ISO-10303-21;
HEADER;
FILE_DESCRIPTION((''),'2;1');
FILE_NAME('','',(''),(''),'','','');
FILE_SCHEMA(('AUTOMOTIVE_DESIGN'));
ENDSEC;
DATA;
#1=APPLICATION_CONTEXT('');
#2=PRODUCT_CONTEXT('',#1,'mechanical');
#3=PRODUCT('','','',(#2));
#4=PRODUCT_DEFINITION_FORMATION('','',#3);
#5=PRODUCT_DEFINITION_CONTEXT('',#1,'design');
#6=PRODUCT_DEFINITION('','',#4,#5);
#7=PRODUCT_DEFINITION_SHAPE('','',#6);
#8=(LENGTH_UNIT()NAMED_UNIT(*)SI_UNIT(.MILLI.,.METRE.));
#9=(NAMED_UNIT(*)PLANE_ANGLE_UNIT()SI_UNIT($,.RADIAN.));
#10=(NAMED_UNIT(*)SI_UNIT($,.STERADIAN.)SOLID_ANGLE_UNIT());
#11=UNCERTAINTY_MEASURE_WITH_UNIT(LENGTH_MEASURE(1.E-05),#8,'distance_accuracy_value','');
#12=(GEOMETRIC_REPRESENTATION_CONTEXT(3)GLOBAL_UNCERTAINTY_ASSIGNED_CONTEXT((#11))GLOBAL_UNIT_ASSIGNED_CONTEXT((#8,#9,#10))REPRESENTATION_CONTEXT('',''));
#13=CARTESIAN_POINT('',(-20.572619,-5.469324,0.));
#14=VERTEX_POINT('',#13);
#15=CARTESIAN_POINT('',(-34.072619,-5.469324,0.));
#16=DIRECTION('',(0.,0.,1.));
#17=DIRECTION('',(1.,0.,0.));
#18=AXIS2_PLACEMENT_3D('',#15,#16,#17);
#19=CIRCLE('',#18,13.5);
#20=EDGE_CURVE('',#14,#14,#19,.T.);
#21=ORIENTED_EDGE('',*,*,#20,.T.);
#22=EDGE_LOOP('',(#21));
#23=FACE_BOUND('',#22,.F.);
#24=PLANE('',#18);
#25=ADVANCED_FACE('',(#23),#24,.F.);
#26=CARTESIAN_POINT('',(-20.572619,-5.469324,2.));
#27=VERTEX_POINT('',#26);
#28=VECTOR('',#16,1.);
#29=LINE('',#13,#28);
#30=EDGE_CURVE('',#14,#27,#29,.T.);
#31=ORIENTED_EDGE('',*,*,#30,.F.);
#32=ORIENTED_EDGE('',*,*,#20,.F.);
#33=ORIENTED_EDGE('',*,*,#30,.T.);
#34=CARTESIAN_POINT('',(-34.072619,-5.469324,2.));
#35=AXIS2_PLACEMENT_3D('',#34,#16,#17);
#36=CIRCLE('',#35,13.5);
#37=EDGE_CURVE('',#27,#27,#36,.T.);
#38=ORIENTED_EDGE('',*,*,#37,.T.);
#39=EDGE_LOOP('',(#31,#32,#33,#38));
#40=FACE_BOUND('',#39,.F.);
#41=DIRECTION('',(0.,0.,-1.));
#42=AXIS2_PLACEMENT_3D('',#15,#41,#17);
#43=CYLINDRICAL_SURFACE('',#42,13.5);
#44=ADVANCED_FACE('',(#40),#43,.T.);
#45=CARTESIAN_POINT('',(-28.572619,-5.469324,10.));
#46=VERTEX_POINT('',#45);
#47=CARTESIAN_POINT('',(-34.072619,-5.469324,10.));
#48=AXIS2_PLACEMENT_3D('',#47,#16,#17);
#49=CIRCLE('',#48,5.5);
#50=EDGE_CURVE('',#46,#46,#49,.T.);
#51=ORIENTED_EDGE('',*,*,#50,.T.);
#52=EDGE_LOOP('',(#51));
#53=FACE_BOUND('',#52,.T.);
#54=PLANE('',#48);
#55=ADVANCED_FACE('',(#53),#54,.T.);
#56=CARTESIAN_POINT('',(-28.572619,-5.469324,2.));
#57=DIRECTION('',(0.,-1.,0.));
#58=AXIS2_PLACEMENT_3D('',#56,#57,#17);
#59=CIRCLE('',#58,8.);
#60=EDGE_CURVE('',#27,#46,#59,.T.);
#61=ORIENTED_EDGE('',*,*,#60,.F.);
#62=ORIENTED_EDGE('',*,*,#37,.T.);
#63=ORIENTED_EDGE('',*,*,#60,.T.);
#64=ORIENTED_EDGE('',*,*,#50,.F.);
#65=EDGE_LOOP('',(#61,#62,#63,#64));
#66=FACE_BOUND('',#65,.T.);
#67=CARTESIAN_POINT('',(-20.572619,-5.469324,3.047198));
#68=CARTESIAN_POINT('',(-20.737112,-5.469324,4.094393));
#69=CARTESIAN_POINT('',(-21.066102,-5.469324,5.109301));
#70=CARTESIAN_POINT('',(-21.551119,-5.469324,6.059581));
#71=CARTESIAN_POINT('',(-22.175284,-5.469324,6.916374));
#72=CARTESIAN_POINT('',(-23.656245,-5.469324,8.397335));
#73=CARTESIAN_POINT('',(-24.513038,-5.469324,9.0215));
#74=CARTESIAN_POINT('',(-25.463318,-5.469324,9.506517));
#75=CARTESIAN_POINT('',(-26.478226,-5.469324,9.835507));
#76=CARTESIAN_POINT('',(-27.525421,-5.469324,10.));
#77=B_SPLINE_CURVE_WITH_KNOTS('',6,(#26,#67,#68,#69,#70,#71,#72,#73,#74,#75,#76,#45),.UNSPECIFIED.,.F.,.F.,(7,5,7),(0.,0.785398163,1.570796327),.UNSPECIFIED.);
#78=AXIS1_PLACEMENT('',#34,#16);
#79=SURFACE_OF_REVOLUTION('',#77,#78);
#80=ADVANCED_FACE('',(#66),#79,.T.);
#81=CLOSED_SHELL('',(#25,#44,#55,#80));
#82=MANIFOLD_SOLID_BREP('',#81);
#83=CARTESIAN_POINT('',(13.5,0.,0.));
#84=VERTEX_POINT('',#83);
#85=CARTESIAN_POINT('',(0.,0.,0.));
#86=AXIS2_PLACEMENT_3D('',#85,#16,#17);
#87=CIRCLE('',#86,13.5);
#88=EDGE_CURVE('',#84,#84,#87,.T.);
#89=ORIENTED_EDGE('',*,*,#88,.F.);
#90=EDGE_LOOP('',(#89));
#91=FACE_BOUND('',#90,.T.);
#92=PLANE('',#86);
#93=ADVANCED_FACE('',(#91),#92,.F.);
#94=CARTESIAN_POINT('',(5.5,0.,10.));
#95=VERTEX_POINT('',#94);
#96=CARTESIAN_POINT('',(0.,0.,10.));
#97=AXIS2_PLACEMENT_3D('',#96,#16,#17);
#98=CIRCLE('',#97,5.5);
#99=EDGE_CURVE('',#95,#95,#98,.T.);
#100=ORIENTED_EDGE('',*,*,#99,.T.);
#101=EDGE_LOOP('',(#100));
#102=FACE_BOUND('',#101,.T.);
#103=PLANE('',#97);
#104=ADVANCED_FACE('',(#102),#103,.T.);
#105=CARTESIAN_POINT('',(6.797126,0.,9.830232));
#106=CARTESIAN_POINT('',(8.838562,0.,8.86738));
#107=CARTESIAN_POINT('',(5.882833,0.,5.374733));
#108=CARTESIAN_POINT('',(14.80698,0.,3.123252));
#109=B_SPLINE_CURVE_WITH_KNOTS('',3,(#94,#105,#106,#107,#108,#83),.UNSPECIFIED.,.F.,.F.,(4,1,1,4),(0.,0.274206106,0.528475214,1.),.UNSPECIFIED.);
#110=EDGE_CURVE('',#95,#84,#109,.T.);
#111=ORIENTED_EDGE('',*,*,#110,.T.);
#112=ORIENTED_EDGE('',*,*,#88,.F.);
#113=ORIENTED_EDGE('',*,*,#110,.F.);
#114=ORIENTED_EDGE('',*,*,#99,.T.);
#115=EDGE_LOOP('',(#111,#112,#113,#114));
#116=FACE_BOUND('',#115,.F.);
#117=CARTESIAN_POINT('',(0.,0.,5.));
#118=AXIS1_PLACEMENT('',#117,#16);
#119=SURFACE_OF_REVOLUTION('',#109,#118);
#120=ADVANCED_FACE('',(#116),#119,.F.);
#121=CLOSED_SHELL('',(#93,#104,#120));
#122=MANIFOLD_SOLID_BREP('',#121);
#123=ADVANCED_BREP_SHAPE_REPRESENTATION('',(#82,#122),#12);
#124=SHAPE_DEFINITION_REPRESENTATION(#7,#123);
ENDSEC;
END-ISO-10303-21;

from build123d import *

# Parameters (mm, degrees)
F1_R     = 13.5
F2_DEPTH = 10
F3_R     = 8


with BuildPart() as f2:
    # F1 (on Top) → F2 (new body)
    with BuildSketch(Plane.XY):
        with Locations((-34.0726189315, -5.4693240672)):
            Circle(F1_R)
    extrude(amount=F2_DEPTH)

    # F3
    f3_edges = [f2.edges().sort_by_distance(p)[0] for p in [
        (-47.572619, -5.469324, 10),
    ]]
    fillet(f3_edges, radius=F3_R)


with BuildPart() as f4:
    # F0 (on Front) → F4 (revolve)
    with BuildSketch(Plane.XZ):
        with BuildLine():
            Line((0, 10), (0, 0))
            Line((0, 0), (13.5, 0))
            add(Edge.make_bspline(
                [(5.5, 10), (6.7971260972, 9.8302323694), (8.8385621408, 8.8673802769), (5.8828330601, 5.3747327276), (14.8069802613, 3.1232523833), (13.5, 0)],
                knots=[0, 0, 0, 0, 0.2742061065, 0.5284752142, 1, 1, 1, 1], degree=3))
            Line((5.5, 10), (0, 10))
        make_face()
    revolve(axis=Axis((0, 0, 5), (0, 0, 1)))


solid = Compound([f2.part, f4.part])
